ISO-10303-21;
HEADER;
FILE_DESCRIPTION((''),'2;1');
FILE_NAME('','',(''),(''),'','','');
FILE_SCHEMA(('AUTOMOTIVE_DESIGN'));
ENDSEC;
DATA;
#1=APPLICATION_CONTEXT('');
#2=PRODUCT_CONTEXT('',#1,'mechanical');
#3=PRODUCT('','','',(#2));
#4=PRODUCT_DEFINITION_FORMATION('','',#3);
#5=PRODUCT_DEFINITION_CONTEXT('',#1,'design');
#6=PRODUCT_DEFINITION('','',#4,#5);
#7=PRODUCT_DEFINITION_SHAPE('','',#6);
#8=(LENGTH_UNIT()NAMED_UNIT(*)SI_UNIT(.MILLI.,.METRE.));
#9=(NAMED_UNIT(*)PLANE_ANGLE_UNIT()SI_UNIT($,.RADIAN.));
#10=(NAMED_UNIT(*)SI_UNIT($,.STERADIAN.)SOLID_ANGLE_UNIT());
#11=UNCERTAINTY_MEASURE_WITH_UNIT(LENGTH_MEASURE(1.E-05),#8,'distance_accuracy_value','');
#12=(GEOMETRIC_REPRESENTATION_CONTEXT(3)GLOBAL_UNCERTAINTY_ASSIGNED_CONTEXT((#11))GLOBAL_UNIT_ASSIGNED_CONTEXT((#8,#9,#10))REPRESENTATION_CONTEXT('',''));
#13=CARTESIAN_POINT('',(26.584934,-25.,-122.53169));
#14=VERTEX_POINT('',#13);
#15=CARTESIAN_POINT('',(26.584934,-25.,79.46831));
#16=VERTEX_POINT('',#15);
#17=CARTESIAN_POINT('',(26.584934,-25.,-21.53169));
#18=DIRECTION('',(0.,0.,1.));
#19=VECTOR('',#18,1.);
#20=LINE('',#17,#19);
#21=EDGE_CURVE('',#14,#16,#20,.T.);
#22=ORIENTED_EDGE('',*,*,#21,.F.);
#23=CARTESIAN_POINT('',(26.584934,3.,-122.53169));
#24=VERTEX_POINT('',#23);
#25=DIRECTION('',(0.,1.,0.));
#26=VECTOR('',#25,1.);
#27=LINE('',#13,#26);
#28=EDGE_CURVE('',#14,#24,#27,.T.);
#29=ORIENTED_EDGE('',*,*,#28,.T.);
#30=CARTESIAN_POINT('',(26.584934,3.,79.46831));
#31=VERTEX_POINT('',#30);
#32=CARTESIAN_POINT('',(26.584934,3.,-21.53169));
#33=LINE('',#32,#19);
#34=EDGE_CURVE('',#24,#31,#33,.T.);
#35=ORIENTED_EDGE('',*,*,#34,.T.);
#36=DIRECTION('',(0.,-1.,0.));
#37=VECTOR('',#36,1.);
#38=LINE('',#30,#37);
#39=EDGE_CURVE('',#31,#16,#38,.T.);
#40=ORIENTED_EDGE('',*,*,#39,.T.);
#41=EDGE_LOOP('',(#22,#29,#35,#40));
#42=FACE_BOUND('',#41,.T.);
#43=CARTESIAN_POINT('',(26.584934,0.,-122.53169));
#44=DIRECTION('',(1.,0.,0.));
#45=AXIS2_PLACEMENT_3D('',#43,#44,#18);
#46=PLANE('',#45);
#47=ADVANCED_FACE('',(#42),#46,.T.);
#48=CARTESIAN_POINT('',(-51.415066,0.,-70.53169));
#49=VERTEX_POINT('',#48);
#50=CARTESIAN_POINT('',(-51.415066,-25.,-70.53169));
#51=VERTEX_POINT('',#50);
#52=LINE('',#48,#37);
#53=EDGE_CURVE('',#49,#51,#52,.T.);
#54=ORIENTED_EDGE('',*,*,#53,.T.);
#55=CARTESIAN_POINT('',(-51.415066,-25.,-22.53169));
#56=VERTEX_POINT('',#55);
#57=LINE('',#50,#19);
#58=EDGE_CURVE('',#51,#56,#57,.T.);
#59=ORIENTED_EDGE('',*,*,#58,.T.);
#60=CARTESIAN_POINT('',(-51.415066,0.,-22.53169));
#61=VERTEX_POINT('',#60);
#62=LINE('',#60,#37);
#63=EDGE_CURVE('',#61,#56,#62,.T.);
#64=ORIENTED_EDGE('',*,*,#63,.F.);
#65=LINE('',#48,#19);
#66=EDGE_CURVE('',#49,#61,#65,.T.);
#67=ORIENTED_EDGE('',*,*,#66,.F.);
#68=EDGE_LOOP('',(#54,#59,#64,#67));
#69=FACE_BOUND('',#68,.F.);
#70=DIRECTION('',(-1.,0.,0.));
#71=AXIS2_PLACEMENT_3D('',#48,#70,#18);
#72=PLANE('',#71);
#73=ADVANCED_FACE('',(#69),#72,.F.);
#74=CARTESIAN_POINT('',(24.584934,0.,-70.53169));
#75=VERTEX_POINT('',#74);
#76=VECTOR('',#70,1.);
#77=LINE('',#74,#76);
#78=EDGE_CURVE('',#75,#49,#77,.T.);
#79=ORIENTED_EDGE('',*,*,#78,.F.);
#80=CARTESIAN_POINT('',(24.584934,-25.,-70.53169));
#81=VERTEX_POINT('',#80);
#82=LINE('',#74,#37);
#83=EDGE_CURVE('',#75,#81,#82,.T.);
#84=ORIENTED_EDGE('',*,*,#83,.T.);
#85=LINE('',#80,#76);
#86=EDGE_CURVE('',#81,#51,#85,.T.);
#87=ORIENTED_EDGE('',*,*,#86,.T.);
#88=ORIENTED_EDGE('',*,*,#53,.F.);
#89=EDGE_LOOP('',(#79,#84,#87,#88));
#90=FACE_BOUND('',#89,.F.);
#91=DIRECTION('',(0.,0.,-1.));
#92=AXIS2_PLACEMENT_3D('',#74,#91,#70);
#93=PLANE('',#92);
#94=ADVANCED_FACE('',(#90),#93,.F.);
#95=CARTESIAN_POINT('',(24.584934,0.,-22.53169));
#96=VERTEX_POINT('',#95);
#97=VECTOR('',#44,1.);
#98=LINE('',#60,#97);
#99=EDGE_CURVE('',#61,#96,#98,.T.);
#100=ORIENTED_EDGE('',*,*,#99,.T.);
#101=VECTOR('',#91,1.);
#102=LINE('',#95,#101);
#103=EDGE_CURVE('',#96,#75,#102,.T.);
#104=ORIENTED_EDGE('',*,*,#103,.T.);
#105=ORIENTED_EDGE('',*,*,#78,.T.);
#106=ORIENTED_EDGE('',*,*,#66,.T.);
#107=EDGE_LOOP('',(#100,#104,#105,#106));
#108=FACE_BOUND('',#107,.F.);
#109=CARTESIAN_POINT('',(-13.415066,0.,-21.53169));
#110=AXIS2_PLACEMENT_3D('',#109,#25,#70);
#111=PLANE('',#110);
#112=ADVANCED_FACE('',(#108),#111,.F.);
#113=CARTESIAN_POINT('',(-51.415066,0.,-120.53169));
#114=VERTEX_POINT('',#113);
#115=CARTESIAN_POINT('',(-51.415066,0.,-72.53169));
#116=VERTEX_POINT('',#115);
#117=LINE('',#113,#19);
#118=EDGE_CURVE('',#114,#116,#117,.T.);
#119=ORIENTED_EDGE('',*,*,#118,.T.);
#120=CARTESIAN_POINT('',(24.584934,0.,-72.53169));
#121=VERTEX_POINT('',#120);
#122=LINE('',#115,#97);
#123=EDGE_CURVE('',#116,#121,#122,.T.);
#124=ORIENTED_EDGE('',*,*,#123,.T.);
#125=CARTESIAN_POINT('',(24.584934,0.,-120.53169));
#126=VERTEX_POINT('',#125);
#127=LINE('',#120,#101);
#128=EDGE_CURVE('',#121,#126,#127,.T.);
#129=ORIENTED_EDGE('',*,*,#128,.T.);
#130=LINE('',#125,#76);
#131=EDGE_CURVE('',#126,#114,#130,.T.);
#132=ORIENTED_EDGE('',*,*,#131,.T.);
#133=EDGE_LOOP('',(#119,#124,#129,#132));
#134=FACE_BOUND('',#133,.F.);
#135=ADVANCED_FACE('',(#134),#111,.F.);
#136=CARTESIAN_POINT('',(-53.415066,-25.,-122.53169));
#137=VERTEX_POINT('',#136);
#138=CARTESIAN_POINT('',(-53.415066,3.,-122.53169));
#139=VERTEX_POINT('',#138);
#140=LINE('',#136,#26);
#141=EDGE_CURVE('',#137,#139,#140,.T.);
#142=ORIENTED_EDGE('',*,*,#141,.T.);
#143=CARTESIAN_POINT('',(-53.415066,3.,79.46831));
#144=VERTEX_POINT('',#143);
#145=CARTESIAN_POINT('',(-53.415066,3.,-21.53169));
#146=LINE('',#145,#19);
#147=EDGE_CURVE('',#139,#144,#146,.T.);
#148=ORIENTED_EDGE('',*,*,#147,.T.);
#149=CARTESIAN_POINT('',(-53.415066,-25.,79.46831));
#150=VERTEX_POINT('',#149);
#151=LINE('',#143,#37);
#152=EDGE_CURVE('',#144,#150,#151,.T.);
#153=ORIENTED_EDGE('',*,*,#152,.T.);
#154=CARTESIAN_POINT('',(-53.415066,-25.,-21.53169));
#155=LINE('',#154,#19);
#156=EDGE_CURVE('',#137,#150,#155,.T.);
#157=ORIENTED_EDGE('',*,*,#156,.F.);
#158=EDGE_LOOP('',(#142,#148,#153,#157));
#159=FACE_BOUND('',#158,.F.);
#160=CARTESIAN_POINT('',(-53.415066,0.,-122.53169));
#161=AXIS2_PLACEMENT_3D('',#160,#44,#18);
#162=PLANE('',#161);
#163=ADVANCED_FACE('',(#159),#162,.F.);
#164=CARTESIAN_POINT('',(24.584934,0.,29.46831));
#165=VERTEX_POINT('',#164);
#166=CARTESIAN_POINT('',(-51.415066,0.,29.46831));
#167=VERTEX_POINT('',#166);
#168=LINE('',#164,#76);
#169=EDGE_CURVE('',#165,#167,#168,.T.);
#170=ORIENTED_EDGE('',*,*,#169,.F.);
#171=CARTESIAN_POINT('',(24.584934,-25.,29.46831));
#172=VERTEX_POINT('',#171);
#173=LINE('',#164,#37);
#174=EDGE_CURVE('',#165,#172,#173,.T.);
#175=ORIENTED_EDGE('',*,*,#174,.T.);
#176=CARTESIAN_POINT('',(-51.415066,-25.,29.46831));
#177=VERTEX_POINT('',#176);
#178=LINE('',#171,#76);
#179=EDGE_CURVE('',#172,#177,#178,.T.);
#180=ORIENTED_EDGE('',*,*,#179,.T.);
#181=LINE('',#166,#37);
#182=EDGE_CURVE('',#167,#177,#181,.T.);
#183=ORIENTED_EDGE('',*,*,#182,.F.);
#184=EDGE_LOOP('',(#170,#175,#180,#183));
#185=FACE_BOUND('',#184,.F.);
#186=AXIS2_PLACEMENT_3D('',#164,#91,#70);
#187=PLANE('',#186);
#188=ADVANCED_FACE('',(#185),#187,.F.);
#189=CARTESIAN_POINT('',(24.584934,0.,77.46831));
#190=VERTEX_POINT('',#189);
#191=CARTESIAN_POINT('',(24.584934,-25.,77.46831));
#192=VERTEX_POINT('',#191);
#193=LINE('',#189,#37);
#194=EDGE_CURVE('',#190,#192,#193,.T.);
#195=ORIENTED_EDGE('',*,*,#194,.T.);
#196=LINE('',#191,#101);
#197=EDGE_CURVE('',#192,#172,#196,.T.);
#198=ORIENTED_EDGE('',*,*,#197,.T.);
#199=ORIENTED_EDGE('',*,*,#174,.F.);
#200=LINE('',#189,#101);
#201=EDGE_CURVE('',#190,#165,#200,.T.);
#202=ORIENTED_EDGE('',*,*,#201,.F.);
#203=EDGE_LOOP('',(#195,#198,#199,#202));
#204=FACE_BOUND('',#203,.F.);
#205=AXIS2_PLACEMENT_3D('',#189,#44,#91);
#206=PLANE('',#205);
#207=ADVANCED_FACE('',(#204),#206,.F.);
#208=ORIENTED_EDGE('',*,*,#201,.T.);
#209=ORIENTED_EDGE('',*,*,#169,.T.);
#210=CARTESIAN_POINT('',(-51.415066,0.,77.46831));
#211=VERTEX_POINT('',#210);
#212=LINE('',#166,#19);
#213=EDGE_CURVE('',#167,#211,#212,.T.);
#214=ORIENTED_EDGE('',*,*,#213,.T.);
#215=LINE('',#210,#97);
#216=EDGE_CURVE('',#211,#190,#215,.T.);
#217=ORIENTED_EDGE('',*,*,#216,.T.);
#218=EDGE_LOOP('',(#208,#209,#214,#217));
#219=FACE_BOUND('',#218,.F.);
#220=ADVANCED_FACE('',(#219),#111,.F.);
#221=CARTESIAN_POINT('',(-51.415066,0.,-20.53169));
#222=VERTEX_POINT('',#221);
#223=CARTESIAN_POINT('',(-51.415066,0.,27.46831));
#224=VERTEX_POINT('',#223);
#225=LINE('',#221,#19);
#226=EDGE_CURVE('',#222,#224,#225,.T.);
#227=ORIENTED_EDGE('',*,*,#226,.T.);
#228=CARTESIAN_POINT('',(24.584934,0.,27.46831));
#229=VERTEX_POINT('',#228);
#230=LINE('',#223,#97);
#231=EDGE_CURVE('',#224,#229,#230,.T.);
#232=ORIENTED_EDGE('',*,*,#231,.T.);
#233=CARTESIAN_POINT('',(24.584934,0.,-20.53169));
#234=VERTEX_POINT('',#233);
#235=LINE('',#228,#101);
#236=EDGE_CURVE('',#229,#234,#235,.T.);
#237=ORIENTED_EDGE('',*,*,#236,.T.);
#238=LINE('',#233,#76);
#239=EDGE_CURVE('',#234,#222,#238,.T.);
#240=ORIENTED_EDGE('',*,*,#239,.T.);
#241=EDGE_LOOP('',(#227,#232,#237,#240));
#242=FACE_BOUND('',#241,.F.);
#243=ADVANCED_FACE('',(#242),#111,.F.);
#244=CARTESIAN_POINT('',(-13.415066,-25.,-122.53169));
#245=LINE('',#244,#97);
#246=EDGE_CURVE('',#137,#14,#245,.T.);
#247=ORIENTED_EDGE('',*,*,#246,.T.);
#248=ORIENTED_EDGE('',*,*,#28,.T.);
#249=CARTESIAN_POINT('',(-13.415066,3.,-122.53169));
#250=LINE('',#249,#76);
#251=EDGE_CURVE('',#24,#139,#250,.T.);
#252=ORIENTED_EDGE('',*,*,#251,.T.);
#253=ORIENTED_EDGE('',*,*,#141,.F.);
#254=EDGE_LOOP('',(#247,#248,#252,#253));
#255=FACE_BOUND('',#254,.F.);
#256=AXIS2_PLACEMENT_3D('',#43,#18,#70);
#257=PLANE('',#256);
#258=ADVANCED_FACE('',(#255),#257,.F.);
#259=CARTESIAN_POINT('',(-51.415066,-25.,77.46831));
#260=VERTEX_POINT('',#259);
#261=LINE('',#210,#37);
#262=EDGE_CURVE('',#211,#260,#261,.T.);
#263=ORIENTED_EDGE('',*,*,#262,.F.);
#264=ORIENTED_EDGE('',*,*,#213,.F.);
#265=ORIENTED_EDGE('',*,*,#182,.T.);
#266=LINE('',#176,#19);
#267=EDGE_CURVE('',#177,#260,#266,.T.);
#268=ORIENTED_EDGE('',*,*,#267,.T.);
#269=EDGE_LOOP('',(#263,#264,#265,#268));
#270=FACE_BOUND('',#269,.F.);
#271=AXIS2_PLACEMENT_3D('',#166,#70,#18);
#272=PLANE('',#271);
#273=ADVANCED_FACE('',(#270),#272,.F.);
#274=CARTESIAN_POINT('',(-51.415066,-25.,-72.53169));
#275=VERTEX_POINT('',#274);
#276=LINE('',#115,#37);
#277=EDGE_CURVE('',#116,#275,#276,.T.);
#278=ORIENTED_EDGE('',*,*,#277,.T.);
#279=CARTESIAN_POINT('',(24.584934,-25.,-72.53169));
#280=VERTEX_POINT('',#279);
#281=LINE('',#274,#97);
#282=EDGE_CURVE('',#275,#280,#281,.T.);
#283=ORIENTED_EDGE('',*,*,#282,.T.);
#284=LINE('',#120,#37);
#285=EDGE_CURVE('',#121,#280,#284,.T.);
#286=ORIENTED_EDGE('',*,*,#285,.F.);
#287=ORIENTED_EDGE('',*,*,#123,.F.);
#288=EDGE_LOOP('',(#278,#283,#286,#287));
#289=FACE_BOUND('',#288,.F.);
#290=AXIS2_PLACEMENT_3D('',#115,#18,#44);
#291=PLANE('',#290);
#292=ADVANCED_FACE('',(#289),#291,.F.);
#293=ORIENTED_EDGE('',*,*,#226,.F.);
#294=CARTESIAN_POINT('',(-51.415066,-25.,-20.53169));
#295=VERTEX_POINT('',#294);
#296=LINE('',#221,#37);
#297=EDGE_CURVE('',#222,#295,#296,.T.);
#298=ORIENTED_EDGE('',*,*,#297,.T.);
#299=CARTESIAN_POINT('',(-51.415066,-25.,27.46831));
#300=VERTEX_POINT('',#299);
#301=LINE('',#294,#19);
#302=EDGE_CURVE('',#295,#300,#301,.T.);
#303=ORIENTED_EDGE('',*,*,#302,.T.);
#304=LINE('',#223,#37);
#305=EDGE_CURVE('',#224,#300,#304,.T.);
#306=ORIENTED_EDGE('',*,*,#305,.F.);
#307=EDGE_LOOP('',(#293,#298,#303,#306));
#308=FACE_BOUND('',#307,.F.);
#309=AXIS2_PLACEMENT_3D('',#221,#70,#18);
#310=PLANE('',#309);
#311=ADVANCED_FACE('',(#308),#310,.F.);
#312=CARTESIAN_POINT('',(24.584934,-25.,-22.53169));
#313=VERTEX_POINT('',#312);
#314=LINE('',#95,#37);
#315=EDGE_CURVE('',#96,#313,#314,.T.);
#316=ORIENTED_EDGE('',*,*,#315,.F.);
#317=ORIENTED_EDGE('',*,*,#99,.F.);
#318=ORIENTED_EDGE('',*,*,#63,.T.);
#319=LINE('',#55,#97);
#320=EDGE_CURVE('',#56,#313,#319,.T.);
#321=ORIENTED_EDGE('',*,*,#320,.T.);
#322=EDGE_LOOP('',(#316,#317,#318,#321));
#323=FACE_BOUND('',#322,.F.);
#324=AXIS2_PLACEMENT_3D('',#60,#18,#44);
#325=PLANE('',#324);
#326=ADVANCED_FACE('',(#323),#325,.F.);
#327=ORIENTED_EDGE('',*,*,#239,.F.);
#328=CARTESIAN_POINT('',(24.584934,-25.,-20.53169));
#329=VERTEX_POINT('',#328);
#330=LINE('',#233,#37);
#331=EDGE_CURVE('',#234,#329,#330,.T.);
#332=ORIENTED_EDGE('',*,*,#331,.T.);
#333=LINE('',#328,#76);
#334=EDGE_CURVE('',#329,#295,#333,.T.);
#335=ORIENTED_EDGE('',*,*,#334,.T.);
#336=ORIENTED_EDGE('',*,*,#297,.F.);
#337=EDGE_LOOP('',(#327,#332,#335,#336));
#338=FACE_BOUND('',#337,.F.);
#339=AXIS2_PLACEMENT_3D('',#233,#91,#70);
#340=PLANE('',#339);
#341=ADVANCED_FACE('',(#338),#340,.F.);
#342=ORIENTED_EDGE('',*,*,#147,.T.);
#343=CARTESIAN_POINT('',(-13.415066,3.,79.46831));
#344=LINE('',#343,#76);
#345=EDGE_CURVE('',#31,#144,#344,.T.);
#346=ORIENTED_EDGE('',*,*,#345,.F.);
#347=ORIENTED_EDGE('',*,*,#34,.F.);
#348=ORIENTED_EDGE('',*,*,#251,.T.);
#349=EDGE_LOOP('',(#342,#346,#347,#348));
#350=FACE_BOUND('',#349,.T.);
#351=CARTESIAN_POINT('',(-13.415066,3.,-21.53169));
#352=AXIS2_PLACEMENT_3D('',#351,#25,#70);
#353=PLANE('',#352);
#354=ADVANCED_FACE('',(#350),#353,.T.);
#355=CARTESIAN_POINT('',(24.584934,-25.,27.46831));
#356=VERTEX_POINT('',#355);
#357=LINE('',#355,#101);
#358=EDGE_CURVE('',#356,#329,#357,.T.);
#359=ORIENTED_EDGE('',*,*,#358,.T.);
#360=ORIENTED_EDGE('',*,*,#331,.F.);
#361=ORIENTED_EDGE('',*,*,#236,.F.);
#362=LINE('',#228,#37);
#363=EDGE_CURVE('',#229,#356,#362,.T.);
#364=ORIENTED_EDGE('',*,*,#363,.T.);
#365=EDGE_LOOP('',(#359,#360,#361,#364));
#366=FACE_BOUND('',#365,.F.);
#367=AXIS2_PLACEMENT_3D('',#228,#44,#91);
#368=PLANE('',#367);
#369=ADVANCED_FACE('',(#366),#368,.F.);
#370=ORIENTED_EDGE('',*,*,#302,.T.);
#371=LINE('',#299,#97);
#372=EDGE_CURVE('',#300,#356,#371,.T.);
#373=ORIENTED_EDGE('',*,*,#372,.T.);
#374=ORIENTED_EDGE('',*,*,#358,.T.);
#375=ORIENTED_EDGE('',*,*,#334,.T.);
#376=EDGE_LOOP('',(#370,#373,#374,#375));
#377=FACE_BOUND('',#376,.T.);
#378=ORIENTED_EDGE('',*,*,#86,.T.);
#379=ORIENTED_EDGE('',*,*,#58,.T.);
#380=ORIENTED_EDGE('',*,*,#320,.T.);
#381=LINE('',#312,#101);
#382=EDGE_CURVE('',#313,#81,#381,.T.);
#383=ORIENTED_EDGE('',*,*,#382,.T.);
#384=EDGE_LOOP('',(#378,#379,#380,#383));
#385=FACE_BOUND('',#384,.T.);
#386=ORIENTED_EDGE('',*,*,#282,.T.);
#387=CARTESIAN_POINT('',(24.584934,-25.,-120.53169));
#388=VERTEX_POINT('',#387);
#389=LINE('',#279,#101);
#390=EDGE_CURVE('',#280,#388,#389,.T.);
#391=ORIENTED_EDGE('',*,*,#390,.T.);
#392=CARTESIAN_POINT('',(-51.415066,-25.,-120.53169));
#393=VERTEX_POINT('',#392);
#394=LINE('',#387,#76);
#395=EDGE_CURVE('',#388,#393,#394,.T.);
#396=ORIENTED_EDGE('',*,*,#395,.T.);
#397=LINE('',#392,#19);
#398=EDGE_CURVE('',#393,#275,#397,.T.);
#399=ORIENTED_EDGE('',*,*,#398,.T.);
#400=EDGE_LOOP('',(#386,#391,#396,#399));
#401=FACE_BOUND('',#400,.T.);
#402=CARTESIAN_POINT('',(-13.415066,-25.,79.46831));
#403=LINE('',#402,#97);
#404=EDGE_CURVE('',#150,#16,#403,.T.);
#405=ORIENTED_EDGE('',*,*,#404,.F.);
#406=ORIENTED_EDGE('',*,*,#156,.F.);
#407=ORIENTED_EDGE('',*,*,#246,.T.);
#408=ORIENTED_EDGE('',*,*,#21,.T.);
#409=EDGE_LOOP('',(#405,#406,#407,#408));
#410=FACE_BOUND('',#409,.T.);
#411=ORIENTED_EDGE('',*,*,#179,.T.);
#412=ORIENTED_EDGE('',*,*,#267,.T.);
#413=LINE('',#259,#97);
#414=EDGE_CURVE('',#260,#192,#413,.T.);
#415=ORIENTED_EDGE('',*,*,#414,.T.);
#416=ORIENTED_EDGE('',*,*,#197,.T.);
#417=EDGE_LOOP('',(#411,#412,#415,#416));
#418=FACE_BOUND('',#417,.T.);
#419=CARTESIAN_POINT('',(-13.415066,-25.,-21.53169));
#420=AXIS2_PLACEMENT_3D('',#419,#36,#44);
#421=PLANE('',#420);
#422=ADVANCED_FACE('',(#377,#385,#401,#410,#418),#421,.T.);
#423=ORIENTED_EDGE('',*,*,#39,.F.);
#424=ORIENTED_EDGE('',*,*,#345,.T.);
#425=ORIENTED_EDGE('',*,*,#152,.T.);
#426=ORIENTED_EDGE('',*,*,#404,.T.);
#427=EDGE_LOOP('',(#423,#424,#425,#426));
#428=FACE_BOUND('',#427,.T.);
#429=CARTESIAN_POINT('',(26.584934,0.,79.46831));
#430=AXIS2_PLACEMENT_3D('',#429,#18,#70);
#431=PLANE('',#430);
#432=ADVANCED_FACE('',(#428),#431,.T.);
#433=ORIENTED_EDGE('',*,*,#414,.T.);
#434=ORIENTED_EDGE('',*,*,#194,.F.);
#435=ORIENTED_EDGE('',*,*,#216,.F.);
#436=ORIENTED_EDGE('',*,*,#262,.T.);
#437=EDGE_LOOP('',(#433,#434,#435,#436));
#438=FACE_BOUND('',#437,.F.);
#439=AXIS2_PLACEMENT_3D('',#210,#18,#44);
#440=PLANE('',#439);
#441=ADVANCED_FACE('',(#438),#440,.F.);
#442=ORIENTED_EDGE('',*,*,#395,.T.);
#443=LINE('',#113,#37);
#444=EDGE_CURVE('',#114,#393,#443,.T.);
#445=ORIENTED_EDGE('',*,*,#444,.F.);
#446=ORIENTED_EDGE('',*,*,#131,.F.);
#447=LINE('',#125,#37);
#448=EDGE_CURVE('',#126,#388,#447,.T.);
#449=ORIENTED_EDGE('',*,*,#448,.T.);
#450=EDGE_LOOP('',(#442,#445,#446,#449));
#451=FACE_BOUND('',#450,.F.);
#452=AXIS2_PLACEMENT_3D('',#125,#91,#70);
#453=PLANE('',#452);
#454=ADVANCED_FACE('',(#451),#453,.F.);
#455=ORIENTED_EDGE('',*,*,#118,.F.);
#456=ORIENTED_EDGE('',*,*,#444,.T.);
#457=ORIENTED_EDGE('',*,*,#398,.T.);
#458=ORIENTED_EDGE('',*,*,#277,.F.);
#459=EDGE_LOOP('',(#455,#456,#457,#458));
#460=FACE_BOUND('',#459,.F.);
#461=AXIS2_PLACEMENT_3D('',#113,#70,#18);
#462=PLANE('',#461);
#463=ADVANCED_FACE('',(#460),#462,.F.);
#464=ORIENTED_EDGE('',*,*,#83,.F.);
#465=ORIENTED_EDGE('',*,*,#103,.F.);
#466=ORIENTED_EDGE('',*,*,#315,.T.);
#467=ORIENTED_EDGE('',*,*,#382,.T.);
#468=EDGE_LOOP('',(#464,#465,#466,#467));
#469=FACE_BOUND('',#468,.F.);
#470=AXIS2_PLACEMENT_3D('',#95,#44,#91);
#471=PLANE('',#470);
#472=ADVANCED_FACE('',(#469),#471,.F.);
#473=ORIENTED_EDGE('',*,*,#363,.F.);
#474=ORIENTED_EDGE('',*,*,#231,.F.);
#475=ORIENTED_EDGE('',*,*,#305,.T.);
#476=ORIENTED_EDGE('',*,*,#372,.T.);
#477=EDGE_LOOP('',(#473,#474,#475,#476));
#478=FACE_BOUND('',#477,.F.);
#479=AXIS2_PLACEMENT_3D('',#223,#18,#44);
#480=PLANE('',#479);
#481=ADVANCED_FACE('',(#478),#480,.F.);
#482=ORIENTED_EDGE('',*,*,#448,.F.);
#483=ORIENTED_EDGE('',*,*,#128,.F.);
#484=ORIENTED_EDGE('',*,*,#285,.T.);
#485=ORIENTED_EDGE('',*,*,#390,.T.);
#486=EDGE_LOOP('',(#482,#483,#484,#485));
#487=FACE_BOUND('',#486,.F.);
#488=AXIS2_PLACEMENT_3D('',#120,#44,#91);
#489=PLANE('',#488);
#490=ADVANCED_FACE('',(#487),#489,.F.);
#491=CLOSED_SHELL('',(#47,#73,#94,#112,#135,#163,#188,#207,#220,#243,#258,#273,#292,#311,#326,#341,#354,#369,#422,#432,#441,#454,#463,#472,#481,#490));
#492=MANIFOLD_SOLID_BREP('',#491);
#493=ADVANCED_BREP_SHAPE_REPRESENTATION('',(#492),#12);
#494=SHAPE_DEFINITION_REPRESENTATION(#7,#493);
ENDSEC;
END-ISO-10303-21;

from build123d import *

# Parameters (mm, degrees)
F0_W     = 80
F0_H     = 202
F1_DEPTH = 25
F2_W     = 80
F2_H     = 202
F3_DEPTH = 3


with BuildPart() as f1:
    # F0 (on Front) → F1 (new body)
    with BuildSketch(Plane.XZ):
        with Locations((-13.415066, -21.53169)):
            Rectangle(F0_W, F0_H)
        Polygon((-51.415066, -70.53169), (-51.415066, -22.53169), (24.584934, -22.53169), (24.584934, -70.53169), (-43.278448, -70.53169), align=None, mode=Mode.SUBTRACT)
        Polygon((24.584934, -120.53169), (-51.415066, -120.53169), (-51.415066, -72.53169), (-43.278448, -72.53169), (24.584934, -72.53169), align=None, mode=Mode.SUBTRACT)
        Polygon((24.584934, -20.53169), (-51.415066, -20.53169), (-51.415066, 27.46831), (-36.231928, 27.46831), (24.584934, 27.46831), align=None, mode=Mode.SUBTRACT)
        Polygon((-51.415066, 29.46831), (-51.415066, 77.46831), (24.584934, 77.46831), (24.584934, 29.46831), (-36.231928, 29.46831), align=None, mode=Mode.SUBTRACT)
    extrude(amount=F1_DEPTH)

    # F2 (on face) → F3 (join)
    with BuildSketch(Plane(origin=(0, 0, 0), x_dir=(-1, 0, 0), z_dir=(0, 1, 0))):
        with Locations((13.415066, -21.53169)):
            Rectangle(F2_W, F2_H)
    extrude(amount=F3_DEPTH)


solid = f1.part
